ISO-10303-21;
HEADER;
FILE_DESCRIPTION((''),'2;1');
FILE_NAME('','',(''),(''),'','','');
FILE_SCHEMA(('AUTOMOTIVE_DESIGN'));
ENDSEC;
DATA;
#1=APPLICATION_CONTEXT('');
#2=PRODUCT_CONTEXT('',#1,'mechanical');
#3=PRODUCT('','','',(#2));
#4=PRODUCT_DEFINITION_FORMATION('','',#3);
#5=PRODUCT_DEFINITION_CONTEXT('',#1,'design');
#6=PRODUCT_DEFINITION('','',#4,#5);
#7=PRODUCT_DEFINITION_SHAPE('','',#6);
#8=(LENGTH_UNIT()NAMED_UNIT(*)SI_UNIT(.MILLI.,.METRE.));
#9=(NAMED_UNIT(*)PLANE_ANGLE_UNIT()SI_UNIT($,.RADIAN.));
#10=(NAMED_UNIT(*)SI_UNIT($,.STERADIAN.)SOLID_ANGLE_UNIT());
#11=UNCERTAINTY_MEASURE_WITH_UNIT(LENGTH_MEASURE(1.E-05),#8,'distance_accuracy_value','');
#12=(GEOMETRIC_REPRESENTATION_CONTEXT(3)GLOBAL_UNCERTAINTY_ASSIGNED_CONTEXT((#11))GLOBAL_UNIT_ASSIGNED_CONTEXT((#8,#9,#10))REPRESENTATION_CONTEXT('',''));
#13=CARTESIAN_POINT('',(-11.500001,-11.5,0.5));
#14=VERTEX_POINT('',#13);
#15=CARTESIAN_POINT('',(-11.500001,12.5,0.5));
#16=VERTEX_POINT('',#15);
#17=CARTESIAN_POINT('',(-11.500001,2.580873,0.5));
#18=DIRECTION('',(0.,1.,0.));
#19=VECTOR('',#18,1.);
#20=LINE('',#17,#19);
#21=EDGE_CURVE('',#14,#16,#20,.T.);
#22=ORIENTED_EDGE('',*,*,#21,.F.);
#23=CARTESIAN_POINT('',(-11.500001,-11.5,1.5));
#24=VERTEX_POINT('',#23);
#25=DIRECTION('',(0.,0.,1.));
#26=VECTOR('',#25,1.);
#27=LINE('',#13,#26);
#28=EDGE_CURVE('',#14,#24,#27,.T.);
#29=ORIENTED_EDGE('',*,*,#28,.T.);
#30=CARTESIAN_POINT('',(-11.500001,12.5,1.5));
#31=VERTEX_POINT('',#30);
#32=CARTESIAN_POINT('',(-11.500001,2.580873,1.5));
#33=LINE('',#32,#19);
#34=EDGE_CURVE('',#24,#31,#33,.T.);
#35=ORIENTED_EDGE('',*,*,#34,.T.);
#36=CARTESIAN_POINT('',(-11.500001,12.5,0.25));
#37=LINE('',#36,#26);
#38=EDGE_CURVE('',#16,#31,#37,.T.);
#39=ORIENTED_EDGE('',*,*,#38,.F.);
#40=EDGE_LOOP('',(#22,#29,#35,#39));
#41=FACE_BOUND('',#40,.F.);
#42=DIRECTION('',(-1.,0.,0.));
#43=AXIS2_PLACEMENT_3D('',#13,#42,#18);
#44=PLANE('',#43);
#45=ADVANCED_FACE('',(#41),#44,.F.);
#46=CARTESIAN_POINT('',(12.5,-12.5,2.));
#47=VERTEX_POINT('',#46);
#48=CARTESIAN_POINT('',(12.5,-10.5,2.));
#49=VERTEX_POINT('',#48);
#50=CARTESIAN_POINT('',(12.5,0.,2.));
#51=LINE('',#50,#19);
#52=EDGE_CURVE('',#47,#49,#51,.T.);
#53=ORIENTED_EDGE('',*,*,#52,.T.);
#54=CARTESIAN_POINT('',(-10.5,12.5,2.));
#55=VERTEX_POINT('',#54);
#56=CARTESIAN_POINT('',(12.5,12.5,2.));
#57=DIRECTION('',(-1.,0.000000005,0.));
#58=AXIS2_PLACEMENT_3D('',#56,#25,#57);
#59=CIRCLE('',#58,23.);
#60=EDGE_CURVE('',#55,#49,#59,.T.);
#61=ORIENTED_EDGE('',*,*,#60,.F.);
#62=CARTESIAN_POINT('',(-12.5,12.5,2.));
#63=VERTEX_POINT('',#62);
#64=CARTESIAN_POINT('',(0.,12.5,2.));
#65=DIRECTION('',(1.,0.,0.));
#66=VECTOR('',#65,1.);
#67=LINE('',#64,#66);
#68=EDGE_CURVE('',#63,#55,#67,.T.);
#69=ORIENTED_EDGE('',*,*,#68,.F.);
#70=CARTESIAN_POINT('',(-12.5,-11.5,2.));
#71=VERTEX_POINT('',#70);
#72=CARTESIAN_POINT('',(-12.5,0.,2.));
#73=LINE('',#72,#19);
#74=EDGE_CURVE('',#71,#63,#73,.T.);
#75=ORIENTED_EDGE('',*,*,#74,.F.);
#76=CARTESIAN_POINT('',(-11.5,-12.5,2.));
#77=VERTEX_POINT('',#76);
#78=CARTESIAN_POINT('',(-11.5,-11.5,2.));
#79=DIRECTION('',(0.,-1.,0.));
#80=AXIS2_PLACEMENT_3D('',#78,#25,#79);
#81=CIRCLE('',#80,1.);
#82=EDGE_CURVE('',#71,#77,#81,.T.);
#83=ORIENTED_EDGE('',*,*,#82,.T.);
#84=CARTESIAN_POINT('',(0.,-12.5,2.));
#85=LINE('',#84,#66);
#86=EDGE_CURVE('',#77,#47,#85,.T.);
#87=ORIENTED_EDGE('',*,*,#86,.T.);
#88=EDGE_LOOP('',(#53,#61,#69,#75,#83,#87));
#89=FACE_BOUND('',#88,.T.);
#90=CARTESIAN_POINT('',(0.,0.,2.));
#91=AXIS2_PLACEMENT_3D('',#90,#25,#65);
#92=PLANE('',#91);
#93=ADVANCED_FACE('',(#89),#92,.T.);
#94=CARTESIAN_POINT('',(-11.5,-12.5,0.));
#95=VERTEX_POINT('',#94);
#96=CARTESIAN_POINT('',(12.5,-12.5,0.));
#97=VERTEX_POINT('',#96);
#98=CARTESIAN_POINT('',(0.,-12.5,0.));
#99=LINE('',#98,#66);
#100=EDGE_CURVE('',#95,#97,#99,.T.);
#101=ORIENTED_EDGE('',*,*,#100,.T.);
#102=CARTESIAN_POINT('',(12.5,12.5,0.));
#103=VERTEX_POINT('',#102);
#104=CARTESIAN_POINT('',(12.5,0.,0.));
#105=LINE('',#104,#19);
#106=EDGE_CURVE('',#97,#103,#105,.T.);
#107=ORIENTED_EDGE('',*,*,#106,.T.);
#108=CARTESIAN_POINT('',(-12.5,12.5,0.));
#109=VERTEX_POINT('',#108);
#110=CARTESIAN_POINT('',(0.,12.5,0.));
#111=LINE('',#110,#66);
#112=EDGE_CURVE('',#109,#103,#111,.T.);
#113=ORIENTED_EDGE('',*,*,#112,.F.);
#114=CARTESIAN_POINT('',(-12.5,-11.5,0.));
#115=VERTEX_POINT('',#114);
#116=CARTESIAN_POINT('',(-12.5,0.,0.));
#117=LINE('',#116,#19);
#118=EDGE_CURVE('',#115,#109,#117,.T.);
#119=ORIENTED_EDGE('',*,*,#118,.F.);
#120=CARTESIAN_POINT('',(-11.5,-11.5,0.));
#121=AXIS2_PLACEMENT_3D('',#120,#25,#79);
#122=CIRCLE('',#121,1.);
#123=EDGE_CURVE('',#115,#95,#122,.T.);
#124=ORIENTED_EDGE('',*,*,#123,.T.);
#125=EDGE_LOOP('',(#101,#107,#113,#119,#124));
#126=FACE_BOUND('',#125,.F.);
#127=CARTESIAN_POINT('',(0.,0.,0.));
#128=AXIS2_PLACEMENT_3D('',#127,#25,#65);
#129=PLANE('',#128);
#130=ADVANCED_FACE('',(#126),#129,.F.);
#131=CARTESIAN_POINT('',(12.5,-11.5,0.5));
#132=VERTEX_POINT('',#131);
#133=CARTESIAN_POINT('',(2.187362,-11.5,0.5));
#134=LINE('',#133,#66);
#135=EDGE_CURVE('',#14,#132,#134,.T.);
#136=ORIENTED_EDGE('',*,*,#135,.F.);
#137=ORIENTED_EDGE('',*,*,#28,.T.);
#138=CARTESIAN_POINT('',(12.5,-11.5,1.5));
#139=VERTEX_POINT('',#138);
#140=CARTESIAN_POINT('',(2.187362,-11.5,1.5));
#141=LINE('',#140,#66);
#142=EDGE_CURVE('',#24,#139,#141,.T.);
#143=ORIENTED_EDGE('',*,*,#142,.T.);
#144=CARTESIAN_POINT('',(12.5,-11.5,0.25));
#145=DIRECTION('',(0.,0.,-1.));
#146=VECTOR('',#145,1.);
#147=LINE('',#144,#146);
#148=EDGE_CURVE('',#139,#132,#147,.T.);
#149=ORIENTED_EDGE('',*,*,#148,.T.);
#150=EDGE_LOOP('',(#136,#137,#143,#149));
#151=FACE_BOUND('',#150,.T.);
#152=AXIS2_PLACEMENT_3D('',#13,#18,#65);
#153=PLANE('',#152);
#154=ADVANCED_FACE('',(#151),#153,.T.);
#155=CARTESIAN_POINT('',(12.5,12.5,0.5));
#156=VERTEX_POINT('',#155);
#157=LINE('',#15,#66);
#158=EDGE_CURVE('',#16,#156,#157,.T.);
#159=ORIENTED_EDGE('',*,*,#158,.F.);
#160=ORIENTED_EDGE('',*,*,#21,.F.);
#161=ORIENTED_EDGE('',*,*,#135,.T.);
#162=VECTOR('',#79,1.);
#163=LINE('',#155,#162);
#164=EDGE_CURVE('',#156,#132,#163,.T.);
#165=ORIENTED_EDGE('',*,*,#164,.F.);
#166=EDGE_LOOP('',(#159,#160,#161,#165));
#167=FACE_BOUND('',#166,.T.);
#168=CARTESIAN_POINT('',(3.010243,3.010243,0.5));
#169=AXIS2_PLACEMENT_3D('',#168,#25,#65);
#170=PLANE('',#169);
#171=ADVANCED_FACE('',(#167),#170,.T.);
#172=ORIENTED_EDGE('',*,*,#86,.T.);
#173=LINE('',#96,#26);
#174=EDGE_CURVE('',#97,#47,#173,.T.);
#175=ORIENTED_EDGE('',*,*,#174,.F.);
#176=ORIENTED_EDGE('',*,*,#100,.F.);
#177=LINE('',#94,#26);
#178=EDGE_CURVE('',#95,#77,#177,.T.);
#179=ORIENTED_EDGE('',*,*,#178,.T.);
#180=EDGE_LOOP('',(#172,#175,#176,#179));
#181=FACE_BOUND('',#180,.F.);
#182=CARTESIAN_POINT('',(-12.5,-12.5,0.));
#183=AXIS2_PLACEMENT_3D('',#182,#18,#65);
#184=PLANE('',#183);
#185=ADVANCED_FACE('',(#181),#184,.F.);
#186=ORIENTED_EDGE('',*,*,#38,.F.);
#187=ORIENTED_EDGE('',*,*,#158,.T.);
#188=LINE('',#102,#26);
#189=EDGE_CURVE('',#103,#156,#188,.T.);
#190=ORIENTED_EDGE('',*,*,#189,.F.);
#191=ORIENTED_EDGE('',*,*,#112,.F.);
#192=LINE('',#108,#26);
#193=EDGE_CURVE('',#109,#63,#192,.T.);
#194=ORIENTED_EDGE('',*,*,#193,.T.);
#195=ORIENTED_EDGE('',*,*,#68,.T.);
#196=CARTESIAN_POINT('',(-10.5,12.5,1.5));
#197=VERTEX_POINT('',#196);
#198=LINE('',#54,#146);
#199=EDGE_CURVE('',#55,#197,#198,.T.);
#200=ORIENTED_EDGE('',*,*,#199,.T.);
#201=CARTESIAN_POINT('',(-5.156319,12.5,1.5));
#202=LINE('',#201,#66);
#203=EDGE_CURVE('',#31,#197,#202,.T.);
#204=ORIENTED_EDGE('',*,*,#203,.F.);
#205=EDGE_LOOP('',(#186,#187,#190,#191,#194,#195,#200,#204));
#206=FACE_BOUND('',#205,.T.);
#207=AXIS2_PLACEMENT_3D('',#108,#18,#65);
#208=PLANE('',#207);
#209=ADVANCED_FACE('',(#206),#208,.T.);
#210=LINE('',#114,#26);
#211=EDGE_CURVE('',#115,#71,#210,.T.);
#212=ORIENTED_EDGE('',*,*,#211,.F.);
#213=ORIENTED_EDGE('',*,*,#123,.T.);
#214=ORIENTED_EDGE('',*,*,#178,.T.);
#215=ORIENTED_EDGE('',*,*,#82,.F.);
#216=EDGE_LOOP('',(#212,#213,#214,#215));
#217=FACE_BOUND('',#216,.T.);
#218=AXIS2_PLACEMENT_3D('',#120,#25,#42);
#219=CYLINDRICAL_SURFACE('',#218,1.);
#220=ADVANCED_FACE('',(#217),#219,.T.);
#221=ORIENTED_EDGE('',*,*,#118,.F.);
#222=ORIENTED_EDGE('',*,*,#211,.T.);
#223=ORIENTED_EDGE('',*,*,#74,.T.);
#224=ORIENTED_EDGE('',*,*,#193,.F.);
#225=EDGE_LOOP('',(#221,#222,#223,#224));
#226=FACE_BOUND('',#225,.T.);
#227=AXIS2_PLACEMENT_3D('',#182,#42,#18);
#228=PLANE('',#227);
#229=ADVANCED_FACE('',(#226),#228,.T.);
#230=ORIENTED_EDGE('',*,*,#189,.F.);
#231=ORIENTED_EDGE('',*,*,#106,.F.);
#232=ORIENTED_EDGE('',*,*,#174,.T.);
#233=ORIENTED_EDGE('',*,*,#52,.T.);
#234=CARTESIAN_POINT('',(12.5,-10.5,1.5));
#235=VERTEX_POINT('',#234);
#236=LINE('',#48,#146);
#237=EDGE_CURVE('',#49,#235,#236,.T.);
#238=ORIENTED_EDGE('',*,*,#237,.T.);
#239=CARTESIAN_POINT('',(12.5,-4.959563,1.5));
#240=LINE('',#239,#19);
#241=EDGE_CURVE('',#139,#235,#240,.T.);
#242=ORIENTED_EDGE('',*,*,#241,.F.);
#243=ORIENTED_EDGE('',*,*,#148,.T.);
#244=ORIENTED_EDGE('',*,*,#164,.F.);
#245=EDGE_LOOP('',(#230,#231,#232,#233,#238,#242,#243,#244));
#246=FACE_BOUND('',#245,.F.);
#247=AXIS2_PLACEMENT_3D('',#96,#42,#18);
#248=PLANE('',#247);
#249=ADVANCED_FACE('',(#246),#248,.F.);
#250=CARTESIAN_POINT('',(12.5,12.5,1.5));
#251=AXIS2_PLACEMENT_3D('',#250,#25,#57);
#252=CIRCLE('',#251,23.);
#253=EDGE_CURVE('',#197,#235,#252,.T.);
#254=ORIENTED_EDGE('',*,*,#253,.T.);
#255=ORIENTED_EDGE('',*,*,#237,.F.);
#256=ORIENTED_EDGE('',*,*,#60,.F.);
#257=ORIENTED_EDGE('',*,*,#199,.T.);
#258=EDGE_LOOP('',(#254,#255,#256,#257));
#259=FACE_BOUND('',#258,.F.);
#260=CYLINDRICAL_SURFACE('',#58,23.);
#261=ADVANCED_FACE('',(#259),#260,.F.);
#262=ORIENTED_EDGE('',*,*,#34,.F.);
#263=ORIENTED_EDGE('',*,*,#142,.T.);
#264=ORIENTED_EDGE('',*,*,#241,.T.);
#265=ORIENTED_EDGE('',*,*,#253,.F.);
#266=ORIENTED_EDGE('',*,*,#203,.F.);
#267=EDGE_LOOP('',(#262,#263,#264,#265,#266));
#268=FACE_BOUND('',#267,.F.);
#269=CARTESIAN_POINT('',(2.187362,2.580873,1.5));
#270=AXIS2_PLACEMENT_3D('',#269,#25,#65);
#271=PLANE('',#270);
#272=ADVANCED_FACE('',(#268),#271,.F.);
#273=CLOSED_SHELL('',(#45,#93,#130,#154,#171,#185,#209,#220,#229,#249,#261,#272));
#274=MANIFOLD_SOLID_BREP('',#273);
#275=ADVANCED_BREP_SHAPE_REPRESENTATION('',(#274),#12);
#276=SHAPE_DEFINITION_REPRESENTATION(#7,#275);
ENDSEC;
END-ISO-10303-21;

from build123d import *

# Parameters (mm, degrees)
F0_W     = 25
F0_H     = 25
F1_DEPTH = 2
F3_DEPTH = 1.5
F4_W     = 27.374725
F4_H     = 28.161746
F5_DEPTH = 1
F6_R     = 1


with BuildPart() as f1:
    # F0 (on Top) → F1 (new body)
    with BuildSketch(Plane.XY):
        Rectangle(F0_W, F0_H)
    extrude(amount=F1_DEPTH)

    # F2 (on face) → F3 (cut)
    with BuildSketch(Plane.XY.offset(2)):
        with BuildLine():
            Line((12.5, -10.5), (12.5, 12.5))
            Line((12.5, 12.5), (-10.5, 12.5))
            ThreePointArc((-10.5, 12.5), (-3.763456, -3.763456), (12.5, -10.5))
        make_face()
    extrude(amount=-F3_DEPTH, mode=Mode.SUBTRACT)

    # F4 (on face) → F5 (cut)
    with BuildSketch(Plane.XY.offset(0.5)):
        with Locations((2.187362, 2.580873)):
            Rectangle(F4_W, F4_H)
    extrude(amount=F5_DEPTH, mode=Mode.SUBTRACT)

    # F6
    f6_edges = [f1.edges().sort_by_distance(p)[0] for p in [
        (-12.5, -12.5, 1),
    ]]
    fillet(f6_edges, radius=F6_R)


solid = f1.part
